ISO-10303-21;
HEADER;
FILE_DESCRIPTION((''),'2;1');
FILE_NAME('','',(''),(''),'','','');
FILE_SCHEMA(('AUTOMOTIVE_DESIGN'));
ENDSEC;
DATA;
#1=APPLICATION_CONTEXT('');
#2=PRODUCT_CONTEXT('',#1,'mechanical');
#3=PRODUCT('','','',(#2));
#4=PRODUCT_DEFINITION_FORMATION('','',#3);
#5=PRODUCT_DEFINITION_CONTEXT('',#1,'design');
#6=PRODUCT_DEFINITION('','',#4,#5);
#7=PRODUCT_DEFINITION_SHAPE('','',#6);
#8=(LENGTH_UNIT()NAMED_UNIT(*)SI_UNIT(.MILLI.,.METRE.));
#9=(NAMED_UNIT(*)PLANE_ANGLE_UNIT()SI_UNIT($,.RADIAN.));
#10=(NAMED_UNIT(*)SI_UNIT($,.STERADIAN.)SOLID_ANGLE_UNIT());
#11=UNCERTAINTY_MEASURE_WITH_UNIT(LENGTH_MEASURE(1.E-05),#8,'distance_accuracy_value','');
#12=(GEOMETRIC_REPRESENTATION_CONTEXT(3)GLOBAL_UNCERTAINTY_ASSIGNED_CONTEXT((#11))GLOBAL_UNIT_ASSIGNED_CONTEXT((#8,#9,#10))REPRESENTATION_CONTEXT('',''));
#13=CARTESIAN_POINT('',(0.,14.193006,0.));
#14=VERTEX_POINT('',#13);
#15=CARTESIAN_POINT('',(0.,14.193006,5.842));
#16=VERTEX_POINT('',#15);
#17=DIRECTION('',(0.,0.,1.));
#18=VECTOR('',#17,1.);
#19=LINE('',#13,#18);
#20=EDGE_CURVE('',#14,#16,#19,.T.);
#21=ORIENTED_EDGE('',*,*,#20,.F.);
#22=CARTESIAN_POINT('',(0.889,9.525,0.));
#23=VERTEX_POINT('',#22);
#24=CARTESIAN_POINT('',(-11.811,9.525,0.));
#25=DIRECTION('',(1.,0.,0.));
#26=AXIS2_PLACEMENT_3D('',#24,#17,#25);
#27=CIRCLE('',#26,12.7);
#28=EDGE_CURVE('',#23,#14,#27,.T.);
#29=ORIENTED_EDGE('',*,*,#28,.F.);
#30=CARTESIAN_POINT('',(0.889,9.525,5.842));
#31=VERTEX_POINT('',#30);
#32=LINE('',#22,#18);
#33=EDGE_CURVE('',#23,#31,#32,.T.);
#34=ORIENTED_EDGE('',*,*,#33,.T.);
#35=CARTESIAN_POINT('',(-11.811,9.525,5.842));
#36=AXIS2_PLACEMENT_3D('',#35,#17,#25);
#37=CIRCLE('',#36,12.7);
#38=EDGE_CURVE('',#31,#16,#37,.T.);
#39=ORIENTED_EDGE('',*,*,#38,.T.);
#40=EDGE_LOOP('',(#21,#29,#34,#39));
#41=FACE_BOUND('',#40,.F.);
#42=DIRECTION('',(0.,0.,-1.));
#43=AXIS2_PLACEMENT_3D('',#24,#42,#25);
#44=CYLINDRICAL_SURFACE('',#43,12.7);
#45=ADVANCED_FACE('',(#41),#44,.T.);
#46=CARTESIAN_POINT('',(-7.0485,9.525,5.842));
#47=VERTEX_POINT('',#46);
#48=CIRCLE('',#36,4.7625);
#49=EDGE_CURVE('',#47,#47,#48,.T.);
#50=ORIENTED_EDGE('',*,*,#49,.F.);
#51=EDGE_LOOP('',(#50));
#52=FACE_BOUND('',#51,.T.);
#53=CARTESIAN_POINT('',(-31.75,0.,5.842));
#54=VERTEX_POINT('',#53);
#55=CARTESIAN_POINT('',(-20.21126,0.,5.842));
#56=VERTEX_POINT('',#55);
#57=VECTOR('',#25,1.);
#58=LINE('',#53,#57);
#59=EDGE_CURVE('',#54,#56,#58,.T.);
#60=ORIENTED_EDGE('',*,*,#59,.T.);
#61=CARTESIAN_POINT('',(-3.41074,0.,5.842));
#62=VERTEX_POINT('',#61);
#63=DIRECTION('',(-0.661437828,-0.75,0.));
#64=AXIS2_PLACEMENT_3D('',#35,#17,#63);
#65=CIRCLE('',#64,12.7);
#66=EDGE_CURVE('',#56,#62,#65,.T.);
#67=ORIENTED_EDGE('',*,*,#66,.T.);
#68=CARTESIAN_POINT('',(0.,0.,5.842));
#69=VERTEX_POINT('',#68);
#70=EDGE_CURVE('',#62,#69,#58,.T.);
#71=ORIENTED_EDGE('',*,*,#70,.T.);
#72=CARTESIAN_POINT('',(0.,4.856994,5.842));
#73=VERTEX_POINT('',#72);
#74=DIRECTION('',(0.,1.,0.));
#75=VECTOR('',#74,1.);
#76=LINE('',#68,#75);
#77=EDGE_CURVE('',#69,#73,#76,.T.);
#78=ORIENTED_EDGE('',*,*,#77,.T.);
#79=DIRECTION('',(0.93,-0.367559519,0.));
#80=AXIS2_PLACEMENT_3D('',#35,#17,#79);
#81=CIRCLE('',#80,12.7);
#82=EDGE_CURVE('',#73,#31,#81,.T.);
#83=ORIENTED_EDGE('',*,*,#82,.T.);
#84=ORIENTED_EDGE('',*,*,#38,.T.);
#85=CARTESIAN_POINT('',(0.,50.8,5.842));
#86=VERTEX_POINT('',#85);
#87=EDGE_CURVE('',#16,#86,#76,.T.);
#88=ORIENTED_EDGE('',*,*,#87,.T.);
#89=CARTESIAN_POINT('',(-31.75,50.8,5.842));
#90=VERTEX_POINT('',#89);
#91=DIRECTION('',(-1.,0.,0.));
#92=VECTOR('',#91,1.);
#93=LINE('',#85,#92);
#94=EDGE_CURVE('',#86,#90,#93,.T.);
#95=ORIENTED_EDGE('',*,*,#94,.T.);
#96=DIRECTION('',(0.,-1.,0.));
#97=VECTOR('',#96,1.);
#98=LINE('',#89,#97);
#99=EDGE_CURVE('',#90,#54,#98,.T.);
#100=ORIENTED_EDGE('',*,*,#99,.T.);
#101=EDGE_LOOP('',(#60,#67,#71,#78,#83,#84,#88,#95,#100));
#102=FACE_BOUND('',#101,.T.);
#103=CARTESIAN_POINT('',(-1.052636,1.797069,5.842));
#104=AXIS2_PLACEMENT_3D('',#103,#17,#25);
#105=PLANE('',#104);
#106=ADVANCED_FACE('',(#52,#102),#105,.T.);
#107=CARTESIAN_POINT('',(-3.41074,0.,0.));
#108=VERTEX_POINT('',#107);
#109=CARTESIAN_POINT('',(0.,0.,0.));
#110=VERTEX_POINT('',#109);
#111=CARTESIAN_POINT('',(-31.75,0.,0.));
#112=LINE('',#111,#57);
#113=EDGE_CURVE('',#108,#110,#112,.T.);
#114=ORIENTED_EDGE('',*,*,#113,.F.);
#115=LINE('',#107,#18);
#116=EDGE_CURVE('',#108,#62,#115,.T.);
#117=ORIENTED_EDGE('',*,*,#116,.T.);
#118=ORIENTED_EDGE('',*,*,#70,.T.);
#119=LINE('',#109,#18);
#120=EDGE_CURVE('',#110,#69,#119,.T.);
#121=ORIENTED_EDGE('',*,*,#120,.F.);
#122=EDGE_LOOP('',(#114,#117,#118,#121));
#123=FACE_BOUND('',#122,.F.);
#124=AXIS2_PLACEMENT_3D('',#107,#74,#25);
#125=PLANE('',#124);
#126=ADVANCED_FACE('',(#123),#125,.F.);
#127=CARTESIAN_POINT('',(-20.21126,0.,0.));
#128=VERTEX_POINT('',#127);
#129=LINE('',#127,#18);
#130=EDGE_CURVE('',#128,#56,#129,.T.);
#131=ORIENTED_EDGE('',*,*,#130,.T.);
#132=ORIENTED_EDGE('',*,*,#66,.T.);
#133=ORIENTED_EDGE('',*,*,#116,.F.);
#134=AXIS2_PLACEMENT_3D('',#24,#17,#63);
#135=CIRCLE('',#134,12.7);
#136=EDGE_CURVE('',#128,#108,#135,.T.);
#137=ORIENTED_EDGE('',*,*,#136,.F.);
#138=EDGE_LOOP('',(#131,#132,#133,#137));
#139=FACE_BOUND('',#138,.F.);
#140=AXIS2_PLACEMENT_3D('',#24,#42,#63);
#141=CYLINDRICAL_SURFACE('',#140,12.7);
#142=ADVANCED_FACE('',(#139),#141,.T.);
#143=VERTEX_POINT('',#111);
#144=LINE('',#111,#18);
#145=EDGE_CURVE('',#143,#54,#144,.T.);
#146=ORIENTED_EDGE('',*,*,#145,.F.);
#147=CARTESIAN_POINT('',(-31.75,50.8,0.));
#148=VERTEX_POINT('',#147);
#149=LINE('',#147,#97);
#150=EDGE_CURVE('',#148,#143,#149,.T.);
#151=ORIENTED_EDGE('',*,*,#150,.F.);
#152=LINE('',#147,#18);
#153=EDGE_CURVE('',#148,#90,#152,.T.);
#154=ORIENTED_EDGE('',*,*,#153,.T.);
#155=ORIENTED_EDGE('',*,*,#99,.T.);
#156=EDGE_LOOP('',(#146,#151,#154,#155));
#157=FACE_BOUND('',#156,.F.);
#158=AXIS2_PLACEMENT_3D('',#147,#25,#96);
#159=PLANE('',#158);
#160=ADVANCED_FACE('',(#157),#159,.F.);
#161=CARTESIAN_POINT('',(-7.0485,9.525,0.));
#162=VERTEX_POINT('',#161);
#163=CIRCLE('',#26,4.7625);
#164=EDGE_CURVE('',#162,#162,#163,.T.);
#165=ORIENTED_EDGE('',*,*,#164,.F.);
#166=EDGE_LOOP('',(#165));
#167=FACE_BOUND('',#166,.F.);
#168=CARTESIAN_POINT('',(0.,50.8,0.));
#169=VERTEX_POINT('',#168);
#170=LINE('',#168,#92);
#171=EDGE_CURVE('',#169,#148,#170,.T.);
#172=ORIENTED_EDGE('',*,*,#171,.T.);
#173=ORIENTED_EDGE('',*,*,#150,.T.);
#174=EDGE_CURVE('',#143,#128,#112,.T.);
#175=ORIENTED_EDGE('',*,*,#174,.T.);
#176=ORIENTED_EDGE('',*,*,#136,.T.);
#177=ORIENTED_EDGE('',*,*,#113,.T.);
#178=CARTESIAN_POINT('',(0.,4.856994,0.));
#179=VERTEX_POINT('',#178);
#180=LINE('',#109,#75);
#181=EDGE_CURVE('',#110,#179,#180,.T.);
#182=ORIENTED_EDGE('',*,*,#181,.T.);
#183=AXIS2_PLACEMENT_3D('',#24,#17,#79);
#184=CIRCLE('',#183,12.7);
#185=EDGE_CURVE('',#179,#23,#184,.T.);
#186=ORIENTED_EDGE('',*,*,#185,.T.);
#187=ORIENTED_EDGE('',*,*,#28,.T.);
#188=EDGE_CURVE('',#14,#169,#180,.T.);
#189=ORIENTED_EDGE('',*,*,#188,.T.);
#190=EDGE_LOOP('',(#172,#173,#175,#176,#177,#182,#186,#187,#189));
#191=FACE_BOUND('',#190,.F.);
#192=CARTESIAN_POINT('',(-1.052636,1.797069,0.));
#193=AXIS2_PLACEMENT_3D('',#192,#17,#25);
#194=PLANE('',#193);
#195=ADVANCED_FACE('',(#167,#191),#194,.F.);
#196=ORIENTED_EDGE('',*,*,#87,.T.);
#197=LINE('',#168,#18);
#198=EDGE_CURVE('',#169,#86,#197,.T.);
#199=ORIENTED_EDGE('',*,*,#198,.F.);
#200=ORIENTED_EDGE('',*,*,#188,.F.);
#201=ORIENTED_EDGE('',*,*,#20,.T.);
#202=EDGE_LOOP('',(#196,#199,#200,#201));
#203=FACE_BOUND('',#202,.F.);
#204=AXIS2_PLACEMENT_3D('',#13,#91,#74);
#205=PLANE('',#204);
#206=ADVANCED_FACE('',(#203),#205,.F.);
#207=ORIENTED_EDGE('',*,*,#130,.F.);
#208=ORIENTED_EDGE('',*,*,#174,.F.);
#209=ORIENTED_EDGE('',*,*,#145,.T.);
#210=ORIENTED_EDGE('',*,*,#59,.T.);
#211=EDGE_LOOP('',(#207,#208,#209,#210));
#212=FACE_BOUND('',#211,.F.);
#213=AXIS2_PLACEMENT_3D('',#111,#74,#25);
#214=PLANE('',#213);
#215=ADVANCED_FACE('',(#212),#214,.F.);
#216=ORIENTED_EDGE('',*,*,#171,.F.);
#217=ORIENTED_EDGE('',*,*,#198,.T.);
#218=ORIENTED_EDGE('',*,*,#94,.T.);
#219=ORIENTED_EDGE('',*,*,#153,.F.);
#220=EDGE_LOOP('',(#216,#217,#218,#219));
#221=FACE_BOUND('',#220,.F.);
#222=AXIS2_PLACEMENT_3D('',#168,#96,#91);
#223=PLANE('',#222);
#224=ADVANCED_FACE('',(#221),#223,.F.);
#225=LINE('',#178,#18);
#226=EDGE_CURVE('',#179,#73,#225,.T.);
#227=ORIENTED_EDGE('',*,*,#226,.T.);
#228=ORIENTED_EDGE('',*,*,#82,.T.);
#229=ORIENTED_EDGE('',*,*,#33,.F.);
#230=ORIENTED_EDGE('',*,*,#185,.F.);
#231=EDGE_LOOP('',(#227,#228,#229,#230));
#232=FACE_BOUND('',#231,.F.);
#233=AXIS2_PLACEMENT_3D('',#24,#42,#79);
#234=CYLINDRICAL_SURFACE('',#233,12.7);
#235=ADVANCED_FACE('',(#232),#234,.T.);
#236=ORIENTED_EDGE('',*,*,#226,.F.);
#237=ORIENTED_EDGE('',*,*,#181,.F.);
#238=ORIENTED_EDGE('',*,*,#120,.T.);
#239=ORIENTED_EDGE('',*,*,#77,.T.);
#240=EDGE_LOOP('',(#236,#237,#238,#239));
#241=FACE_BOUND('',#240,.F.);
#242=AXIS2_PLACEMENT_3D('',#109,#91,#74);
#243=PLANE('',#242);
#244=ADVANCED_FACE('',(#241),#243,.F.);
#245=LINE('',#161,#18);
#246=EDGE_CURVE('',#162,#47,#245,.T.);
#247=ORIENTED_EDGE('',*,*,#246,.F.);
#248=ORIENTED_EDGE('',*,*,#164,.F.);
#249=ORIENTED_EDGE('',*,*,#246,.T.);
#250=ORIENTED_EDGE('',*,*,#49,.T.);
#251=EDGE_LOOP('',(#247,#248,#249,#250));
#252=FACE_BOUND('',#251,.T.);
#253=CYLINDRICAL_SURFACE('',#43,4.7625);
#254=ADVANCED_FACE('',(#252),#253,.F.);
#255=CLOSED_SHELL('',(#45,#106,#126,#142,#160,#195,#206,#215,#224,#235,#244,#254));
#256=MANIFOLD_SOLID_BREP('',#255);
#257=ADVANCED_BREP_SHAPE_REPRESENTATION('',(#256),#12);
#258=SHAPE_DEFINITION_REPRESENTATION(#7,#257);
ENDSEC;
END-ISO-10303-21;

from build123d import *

# Parameters (mm, degrees)
F0_R     = 4.7625
F1_DEPTH = 5.842


with BuildPart() as f1:
    # F0 (on Top) → F1 (new body)
    with BuildSketch(Plane.XY):
        with BuildLine():
            Line((-3.4107395874, 0), (0, 0))
            Line((0, 0), (0, 4.8569941088))
            ThreePointArc((0, 4.8569941088), (-1.4176675311, 2.2264631473), (-3.4107395874, 0))
        make_face()
        with BuildLine():
            Line((-20.2112604126, 0), (-3.4107395874, 0))
            ThreePointArc((-3.4107395874, 0), (-1.4176675311, 2.2264631473), (0, 4.8569941088))
            Line((0, 4.8569941088), (0, 14.1930058912))
            ThreePointArc((0, 14.1930058912), (-19.1095368527, 19.9183324689), (-20.2112604126, 0))
        make_face()
        with Locations((-11.811, 9.525)):
            Circle(F0_R, mode=Mode.SUBTRACT)
        with BuildLine():
            Line((-31.75, 0), (-20.2112604126, 0))
            ThreePointArc((-20.2112604126, 0), (-19.1095368527, 19.9183324689), (0, 14.1930058912))
            Line((0, 14.1930058912), (0, 50.8))
            Line((0, 50.8), (-31.75, 50.8))
            Line((-31.75, 50.8), (-31.75, 0))
        make_face()
        with BuildLine():
            ThreePointArc((-20.2112604126, 0), (-11.811, -3.175), (-3.4107395874, 0))
            Line((-3.4107395874, 0), (-20.2112604126, 0))
        make_face()
        with BuildLine():
            Line((0, 14.1930058912), (0, 4.8569941088))
            ThreePointArc((0, 4.8569941088), (0.6647705173, 7.1490475594), (0.889, 9.525))
            ThreePointArc((0.889, 9.525), (0.6647705173, 11.9009524406), (0, 14.1930058912))
        make_face()
    extrude(amount=F1_DEPTH)


solid = f1.part
